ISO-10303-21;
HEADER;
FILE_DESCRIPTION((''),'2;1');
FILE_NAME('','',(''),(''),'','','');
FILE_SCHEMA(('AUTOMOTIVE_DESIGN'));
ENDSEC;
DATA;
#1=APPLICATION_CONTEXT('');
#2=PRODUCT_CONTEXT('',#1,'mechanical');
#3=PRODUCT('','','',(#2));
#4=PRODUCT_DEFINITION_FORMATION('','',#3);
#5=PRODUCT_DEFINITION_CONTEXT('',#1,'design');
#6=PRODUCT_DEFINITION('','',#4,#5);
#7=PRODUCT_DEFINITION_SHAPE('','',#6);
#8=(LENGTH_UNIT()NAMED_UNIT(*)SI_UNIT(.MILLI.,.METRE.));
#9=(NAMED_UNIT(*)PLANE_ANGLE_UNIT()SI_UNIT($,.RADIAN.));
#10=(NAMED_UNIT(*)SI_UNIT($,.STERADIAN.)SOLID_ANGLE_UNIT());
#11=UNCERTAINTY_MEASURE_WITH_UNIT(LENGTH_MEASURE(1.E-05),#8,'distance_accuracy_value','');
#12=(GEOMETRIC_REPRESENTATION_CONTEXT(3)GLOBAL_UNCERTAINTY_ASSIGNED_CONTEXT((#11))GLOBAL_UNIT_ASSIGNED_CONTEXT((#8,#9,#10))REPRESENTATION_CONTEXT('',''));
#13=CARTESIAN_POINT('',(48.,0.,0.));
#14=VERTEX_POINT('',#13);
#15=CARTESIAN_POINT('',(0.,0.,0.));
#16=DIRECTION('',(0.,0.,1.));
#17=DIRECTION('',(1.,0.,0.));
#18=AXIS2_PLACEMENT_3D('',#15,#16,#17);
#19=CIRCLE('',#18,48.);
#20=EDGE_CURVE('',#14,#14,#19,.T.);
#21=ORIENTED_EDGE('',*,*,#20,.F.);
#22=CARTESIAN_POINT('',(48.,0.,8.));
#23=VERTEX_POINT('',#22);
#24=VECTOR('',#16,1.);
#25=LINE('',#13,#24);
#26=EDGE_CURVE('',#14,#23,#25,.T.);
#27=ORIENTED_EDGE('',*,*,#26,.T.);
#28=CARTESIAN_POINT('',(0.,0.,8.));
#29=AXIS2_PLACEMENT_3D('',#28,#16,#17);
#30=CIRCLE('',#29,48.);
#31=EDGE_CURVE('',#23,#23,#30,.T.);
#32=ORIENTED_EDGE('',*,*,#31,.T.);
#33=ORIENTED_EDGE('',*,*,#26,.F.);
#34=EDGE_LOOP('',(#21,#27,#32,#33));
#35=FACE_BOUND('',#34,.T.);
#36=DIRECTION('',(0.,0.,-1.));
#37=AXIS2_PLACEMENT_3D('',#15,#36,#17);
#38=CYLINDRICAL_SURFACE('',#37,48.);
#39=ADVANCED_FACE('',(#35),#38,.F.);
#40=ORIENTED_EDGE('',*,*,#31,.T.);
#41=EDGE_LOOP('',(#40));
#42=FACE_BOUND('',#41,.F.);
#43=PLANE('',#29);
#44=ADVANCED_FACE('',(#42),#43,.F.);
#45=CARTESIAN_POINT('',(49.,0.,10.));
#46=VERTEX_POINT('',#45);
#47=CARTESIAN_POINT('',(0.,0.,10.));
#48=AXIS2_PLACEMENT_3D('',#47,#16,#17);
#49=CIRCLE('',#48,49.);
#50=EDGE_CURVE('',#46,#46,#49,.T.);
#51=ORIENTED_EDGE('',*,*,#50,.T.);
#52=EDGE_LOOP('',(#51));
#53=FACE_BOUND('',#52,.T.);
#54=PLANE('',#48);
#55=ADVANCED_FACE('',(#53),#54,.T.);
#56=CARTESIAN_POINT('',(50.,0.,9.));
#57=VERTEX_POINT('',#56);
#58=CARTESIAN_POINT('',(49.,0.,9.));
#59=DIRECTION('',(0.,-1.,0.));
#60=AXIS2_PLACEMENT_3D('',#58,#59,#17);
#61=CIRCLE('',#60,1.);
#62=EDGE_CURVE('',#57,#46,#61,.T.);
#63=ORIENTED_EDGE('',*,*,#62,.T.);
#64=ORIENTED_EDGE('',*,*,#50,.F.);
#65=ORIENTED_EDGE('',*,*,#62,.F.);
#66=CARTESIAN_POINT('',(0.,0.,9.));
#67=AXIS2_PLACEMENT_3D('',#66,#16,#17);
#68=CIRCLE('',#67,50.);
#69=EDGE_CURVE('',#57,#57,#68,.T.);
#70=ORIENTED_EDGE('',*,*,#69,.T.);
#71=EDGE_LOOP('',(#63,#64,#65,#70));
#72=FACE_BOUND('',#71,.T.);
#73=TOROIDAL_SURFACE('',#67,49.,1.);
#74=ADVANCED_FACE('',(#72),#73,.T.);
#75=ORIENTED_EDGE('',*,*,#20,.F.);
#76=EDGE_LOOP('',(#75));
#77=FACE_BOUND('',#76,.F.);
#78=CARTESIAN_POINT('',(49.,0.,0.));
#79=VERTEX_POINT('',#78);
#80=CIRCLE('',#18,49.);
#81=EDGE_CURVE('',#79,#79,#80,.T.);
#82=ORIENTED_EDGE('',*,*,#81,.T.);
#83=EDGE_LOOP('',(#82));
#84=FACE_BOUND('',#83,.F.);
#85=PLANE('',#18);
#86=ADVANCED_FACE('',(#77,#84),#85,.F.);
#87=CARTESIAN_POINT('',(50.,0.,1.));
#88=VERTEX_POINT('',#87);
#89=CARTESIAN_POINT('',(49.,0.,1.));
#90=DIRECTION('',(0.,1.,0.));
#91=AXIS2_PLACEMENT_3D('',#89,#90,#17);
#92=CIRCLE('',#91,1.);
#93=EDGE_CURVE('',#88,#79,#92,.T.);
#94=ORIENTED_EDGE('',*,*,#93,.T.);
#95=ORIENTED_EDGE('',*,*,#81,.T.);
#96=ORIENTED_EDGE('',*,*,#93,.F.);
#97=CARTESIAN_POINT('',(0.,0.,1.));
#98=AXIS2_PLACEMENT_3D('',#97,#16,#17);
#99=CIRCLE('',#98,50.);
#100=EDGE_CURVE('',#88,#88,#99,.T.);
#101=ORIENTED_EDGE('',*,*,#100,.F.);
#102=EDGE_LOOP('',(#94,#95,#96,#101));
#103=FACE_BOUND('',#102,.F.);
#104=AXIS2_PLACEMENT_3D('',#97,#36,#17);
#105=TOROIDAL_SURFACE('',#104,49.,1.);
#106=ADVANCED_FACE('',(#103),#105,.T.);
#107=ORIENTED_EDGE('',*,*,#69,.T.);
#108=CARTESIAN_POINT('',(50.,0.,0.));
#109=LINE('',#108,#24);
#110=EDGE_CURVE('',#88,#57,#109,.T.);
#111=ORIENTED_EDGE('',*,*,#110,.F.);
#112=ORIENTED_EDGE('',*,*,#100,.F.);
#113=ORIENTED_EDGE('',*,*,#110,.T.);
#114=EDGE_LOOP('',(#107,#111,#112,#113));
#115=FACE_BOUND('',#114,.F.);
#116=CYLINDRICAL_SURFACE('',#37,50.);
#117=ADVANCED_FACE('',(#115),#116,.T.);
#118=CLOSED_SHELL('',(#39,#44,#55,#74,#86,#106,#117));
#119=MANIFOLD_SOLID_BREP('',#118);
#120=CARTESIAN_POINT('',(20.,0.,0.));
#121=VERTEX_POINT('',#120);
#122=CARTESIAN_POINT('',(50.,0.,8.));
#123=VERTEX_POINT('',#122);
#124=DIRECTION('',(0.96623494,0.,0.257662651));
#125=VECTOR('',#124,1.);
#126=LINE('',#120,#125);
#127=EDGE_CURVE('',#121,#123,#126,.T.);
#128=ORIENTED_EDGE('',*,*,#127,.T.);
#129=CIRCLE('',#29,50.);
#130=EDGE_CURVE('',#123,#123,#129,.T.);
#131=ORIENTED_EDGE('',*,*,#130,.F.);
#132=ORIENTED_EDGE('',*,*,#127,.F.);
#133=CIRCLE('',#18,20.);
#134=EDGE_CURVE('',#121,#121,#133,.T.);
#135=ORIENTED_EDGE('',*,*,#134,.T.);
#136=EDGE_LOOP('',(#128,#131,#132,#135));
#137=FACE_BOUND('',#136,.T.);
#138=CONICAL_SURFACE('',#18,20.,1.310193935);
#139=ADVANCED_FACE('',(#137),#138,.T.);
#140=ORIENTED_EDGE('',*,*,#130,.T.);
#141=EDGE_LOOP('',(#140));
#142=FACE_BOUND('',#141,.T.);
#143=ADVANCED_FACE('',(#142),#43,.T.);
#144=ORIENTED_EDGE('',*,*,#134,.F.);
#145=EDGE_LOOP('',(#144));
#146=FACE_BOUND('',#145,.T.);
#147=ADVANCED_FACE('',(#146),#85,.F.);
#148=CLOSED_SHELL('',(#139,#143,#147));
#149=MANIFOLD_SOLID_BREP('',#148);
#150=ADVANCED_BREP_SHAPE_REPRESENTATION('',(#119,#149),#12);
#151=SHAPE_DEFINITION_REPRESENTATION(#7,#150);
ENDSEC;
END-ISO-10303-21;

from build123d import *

# Parameters (mm, degrees)
CYLINDER001_R     = 48
CYLINDER001_DEPTH = 8
CYLINDER_R        = 50
CYLINDER_DEPTH    = 10
FILLET_R          = 1


with BuildPart() as cone:
    # Cone → Cone (revolve)
    with BuildSketch(Plane.XZ):
        Polygon((0, 0), (20, 0), (50, 8), (0, 8), align=None)
    revolve(axis=Axis((0, 0, 0), (0, 0, 1)))


with BuildPart() as cylinder001:
    # Cylinder001 → Cylinder001 (new body)
    with BuildSketch(Plane.XY):
        Circle(CYLINDER001_R)
    extrude(amount=CYLINDER001_DEPTH)


with BuildPart() as fillet_body:
    # Cylinder → Cylinder (new body)
    with BuildSketch(Plane.XY):
        Circle(CYLINDER_R)
    extrude(amount=CYLINDER_DEPTH)

    # Cut: cut Cylinder001
    add(cylinder001.part, mode=Mode.SUBTRACT)

    # Fillet
    fillet_edges = [fillet_body.edges().sort_by_distance(p)[0] for p in [
        (-50, 0, 10),
        (-50, 0, 0),
    ]]
    fillet(fillet_edges, radius=FILLET_R)


solid = Compound([cone.part, fillet_body.part])
